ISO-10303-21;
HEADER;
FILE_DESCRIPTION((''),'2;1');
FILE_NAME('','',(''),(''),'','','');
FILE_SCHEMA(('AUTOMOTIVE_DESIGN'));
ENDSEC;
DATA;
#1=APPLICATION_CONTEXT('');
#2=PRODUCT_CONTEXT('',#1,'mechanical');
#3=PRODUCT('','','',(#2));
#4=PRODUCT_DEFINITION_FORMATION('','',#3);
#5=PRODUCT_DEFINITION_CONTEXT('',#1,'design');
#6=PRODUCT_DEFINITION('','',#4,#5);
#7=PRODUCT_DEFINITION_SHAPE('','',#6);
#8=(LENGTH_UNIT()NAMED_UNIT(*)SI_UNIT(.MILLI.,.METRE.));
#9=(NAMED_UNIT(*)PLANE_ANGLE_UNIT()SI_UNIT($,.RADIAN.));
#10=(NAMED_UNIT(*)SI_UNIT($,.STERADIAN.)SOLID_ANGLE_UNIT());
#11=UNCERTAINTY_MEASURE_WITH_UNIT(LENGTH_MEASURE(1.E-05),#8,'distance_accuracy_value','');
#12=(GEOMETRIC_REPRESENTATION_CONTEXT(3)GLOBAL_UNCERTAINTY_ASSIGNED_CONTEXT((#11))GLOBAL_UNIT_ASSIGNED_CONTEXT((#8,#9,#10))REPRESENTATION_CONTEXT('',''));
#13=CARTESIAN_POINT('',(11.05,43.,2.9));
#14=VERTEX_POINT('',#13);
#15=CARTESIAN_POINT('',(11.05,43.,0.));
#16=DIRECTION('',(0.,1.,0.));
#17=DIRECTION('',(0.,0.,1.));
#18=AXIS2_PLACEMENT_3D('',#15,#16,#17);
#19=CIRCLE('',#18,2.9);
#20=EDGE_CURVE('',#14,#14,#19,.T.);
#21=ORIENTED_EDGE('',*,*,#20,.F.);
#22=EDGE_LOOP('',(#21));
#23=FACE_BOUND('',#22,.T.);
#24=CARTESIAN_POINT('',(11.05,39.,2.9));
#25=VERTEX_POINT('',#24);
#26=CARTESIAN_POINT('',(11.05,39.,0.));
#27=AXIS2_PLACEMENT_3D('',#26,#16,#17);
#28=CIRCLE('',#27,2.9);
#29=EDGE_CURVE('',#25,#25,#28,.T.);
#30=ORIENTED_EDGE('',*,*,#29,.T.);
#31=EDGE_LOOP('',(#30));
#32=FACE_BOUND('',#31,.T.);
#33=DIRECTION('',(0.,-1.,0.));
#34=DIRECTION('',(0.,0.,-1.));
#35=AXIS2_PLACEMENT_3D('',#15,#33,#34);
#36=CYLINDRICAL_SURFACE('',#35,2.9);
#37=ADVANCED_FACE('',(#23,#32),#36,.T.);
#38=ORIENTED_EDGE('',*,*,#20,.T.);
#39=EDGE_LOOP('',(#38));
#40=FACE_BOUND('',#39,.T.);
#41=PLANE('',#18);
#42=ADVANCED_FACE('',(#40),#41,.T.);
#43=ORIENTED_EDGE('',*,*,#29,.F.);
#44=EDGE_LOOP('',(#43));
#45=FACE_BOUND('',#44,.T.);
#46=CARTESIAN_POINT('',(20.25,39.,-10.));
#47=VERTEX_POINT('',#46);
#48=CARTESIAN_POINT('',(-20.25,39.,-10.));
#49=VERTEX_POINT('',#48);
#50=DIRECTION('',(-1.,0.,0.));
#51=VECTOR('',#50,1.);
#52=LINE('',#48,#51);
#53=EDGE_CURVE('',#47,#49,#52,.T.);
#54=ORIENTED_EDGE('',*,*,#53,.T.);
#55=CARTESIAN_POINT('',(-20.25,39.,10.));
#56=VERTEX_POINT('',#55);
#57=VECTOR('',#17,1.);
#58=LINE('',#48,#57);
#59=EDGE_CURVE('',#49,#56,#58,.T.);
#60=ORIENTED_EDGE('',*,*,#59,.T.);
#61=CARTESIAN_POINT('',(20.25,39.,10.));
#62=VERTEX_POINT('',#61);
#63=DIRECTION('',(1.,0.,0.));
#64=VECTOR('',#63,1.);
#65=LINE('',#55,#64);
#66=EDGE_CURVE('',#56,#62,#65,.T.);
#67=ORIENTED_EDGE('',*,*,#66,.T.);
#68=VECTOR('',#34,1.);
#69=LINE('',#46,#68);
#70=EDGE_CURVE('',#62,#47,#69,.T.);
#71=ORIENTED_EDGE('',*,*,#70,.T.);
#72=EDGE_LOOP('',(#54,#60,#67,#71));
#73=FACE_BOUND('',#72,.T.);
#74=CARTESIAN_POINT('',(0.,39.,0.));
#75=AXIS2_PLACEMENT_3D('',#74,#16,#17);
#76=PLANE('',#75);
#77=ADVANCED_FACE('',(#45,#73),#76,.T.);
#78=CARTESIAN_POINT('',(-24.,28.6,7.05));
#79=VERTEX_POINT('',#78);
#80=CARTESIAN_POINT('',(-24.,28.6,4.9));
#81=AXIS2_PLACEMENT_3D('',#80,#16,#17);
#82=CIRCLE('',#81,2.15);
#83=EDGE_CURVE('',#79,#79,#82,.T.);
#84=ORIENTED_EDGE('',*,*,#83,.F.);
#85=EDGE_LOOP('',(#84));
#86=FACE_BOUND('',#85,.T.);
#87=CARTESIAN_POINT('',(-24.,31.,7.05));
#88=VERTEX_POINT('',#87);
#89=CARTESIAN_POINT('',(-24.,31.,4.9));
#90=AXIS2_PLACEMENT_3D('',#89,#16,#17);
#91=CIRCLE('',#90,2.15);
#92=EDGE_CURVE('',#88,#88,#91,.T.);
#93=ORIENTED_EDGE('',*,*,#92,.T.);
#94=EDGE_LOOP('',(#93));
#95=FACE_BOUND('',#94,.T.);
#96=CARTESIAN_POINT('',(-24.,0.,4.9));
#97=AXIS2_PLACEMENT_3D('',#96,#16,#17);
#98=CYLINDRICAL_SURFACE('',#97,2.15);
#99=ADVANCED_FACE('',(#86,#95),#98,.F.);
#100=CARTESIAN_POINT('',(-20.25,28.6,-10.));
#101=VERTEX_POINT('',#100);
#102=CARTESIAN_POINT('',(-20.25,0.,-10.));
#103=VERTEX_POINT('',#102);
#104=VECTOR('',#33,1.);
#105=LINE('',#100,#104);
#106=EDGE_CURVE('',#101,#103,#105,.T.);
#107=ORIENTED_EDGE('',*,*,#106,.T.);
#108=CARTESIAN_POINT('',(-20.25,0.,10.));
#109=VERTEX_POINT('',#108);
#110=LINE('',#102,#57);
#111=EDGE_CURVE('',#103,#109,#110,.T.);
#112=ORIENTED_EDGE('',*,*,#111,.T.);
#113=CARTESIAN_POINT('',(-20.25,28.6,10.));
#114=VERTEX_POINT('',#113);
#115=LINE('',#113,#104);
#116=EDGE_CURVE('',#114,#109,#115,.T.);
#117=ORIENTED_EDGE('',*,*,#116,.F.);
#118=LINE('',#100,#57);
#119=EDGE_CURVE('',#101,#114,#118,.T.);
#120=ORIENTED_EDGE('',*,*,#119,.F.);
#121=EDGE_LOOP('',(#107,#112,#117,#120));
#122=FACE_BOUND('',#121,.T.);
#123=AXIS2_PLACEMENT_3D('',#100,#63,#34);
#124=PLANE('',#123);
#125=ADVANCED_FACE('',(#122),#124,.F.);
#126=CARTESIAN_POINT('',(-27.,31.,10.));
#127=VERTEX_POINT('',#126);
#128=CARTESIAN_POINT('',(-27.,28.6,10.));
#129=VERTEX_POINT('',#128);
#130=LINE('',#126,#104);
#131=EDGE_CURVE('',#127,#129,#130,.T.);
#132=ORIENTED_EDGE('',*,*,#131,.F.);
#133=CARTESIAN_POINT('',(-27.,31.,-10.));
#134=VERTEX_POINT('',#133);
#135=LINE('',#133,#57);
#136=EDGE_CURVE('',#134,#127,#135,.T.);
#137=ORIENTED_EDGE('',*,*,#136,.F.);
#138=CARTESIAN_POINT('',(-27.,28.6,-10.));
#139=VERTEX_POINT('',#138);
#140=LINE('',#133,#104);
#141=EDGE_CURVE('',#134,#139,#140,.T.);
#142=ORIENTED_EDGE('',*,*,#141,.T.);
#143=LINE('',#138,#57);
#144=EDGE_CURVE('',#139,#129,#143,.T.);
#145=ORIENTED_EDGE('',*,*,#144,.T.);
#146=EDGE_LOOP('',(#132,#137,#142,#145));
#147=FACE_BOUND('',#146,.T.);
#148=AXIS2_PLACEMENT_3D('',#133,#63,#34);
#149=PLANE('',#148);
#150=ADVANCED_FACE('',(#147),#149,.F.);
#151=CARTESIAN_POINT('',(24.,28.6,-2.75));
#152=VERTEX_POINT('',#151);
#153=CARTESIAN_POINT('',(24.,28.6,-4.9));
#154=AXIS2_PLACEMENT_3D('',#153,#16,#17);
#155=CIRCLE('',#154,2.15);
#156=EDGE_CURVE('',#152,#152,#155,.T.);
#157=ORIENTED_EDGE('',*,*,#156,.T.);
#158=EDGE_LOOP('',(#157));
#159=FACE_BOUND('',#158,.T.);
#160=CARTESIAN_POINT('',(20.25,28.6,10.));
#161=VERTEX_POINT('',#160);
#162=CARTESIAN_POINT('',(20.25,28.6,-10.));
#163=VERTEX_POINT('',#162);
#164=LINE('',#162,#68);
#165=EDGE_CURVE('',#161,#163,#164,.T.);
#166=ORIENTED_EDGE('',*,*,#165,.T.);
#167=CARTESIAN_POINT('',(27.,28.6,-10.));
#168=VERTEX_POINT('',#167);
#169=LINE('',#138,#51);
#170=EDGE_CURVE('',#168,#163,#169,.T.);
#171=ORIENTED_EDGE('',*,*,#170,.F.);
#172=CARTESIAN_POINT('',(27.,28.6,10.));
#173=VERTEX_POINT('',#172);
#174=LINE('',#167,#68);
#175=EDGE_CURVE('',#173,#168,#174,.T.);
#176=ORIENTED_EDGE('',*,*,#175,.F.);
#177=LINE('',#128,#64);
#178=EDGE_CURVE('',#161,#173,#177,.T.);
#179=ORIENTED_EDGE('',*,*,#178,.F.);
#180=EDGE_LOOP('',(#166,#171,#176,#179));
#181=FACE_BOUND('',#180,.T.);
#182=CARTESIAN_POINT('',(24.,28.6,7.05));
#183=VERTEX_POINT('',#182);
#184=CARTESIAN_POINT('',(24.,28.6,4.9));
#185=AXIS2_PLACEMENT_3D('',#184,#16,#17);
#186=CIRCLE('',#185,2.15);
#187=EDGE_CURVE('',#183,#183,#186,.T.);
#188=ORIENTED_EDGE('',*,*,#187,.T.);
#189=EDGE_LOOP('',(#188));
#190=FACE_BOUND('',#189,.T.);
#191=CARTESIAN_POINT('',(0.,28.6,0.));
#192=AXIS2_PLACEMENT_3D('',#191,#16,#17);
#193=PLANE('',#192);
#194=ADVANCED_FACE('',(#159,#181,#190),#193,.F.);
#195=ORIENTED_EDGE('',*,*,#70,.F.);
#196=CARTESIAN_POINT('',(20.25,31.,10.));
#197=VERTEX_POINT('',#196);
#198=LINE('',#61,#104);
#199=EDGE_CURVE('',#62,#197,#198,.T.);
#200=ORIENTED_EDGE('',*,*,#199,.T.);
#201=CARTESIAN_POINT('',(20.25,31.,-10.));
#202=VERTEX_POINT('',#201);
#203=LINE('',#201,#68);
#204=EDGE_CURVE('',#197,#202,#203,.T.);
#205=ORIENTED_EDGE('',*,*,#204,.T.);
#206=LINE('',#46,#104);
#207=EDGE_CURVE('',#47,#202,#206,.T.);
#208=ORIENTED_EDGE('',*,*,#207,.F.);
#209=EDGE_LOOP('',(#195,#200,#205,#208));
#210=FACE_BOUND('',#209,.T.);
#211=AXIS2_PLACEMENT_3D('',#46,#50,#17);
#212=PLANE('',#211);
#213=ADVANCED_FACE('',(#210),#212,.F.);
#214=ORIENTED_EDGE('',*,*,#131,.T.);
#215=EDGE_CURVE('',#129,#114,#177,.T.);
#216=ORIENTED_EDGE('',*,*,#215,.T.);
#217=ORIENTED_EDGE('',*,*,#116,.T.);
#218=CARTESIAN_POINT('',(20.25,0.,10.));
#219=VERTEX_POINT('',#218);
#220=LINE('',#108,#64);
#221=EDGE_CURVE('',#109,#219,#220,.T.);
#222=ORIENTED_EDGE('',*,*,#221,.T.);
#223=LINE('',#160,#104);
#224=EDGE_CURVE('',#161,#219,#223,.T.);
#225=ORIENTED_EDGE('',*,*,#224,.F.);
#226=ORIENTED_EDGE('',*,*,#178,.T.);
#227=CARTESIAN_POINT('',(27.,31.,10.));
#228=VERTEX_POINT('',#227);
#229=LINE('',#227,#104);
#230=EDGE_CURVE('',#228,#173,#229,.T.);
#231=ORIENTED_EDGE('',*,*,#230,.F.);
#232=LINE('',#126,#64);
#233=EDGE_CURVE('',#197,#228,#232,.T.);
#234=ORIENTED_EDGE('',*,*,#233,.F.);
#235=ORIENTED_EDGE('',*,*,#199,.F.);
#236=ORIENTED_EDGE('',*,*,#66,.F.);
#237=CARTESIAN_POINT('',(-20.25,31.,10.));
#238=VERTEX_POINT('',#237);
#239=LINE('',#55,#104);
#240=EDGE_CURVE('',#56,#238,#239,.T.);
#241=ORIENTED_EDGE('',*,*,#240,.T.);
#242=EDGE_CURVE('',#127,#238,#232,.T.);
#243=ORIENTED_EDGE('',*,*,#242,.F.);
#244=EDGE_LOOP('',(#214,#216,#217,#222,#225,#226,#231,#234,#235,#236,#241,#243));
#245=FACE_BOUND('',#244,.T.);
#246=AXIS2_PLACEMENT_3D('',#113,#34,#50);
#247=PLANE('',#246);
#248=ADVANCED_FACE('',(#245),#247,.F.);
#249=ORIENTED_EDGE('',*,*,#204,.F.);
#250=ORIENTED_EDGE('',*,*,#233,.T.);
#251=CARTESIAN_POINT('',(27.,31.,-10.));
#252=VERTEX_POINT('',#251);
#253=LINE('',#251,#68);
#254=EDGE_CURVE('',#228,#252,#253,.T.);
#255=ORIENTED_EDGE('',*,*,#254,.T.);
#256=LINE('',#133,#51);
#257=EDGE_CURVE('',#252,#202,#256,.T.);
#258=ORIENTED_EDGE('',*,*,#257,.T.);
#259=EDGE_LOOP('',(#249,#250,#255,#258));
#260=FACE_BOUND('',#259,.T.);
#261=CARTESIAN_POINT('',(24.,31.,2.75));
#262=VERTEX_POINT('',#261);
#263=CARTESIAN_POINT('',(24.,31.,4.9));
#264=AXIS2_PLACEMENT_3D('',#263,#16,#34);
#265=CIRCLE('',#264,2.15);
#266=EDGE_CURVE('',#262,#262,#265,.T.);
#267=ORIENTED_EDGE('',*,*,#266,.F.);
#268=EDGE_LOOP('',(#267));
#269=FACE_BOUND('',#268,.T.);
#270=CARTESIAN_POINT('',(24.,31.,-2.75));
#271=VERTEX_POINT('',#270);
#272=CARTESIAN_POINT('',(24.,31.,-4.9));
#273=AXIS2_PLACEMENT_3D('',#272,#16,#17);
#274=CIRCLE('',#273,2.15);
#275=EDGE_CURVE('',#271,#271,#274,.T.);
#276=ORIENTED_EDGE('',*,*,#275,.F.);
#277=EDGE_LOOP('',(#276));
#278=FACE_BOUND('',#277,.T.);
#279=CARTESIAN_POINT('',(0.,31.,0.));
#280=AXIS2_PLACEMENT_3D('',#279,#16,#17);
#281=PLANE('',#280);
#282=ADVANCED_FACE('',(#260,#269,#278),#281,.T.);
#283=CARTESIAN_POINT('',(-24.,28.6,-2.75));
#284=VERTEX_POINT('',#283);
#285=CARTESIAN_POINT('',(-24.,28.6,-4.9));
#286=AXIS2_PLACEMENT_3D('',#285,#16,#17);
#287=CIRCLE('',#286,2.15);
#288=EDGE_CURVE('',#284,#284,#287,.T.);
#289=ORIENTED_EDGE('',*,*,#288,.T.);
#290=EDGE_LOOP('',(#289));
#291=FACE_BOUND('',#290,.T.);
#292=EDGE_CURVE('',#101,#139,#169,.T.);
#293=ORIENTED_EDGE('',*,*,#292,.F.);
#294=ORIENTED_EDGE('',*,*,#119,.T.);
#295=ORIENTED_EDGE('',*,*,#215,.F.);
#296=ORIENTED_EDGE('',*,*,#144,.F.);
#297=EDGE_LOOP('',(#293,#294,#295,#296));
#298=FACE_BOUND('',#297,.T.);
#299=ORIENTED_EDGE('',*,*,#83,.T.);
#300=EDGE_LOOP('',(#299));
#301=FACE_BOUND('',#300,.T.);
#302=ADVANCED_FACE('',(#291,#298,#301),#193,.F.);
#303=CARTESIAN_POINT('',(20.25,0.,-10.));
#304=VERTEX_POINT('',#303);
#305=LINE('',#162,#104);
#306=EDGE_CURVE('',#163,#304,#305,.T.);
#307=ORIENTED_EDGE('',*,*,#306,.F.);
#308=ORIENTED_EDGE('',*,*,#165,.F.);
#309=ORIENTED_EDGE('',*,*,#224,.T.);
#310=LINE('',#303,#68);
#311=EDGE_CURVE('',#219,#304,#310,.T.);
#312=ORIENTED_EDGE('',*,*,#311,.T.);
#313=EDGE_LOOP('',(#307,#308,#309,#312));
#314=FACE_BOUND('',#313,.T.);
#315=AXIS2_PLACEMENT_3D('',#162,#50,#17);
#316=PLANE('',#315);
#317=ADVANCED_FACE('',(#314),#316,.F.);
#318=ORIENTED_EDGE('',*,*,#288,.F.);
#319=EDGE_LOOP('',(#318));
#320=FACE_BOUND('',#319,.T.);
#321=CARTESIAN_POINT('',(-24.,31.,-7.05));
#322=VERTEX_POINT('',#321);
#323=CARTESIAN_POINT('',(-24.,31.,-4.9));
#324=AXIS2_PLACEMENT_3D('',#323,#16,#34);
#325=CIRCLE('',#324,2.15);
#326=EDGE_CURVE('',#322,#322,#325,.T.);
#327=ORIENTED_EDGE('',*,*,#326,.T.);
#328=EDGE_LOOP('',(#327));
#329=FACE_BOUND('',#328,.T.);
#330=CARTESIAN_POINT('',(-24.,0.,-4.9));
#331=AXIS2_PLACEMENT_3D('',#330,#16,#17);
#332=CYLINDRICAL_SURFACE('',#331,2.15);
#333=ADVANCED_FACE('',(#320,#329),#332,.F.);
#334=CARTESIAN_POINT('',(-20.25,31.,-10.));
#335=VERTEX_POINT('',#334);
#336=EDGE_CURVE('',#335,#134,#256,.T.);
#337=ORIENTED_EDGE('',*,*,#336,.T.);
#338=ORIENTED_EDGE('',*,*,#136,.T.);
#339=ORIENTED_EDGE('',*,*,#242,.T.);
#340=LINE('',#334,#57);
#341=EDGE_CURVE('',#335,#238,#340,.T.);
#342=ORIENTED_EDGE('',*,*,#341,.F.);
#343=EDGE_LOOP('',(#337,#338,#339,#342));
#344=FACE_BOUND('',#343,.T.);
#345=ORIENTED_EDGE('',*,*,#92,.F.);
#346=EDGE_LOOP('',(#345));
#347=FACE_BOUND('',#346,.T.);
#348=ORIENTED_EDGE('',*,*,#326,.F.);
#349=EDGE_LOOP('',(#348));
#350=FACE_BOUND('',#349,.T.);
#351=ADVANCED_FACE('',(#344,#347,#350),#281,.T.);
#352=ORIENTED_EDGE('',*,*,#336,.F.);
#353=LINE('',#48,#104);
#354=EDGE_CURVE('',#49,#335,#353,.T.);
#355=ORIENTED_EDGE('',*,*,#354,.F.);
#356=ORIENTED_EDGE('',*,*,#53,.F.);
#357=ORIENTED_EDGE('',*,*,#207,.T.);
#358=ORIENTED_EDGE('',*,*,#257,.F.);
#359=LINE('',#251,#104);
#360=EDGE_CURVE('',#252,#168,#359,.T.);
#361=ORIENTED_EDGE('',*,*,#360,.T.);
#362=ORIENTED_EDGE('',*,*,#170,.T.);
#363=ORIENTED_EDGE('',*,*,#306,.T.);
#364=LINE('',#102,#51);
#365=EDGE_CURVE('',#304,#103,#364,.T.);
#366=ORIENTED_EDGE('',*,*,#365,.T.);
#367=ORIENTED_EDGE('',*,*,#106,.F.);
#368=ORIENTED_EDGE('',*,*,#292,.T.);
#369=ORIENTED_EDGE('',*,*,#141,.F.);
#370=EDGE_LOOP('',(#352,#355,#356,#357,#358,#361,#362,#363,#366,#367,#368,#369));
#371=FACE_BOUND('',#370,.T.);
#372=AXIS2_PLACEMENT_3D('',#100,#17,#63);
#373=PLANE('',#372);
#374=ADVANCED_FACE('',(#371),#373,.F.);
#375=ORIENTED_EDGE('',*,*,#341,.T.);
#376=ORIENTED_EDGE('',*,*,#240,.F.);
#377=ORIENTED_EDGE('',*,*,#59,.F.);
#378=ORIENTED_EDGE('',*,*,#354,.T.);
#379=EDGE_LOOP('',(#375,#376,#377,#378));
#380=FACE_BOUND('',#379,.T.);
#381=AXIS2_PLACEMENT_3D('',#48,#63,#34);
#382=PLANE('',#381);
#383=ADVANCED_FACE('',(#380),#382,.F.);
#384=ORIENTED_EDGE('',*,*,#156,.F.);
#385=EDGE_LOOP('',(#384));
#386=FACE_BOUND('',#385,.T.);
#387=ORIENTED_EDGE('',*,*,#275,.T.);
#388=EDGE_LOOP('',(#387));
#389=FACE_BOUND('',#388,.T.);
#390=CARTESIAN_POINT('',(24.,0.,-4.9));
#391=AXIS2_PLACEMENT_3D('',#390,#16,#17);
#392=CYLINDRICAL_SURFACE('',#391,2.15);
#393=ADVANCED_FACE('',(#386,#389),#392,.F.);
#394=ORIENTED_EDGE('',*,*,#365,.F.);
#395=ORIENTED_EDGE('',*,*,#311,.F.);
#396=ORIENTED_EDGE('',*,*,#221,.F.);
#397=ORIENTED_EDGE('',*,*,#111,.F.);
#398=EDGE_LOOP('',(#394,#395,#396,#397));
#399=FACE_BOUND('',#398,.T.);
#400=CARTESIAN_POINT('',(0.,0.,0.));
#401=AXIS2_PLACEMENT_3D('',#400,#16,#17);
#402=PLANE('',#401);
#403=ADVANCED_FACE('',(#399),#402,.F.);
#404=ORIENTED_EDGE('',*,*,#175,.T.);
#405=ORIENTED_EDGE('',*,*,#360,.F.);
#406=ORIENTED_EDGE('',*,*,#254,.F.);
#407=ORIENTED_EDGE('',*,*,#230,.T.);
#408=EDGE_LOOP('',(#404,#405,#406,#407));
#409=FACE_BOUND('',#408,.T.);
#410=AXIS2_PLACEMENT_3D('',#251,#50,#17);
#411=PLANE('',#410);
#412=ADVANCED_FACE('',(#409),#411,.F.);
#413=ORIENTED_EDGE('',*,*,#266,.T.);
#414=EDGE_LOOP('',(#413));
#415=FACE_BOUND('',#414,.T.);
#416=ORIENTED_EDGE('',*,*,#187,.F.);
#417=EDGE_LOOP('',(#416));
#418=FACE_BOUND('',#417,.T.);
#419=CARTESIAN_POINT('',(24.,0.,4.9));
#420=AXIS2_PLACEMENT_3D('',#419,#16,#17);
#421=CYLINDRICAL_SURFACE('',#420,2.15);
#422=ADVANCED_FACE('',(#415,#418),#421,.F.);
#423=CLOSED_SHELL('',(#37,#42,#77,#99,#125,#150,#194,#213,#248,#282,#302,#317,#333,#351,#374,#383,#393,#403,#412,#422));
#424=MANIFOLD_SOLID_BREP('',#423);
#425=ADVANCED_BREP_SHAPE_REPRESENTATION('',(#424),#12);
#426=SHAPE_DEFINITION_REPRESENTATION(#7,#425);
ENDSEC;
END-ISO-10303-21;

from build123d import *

# Parameters (mm, degrees)
SKETCH_1_W          = 40.5
SKETCH_1_H          = 20
EXTRUDE_1_DEPTH     = 28.6
SKETCH_2_W          = 54
SKETCH_2_H          = 20
EXTRUDE_2_DEPTH     = 2.4
SKETCH_3_W          = 40.5
SKETCH_3_H          = 20
EXTRUDE_3_DEPTH     = 8
SKETCH_4_R          = 2.9
EXTRUDE_4_DEPTH     = 4
SKETCH_5_R          = 2.15
CUT_EXTRUDE_1_DEPTH = 32


with BuildPart() as part:
    # 草图1 → 凸台-拉伸1 (new body)
    with BuildSketch(Plane(origin=(0, 0, 0), x_dir=(1, 0, 0), z_dir=(0, 1, 0))):
        Rectangle(SKETCH_1_W, SKETCH_1_H)
    extrude(amount=EXTRUDE_1_DEPTH)

    # 草图2 → 凸台-拉伸2 (add)
    with BuildSketch(Plane(origin=(0, 28.6, 0), x_dir=(1, 0, 0), z_dir=(0, 1, 0))):
        Rectangle(SKETCH_2_W, SKETCH_2_H)
    extrude(amount=EXTRUDE_2_DEPTH)

    # 草图3 → 凸台-拉伸3 (add)
    with BuildSketch(Plane(origin=(0, 31, 0), x_dir=(1, 0, 0), z_dir=(0, 1, 0))):
        Rectangle(SKETCH_3_W, SKETCH_3_H)
    extrude(amount=EXTRUDE_3_DEPTH)

    # 草图4 → 凸台-拉伸4 (add)
    with BuildSketch(Plane(origin=(0, 39, 0), x_dir=(1, 0, 0), z_dir=(0, 1, 0))):
        with Locations((11.05, 0)):
            Circle(SKETCH_4_R)
    extrude(amount=EXTRUDE_4_DEPTH)

    # 草图5 → 切除-拉伸1 (cut, through all)
    with BuildSketch(Plane(origin=(0, 31, 0), x_dir=(1, 0, 0), z_dir=(0, 1, 0))):
        with Locations((24, 4.9)):
            Circle(SKETCH_5_R)
        with Locations((24, -4.9)):
            Circle(SKETCH_5_R)
        with Locations((-24, -4.9)):
            Circle(SKETCH_5_R)
        with Locations((-24, 4.9)):
            Circle(SKETCH_5_R)
    extrude(amount=-CUT_EXTRUDE_1_DEPTH, mode=Mode.SUBTRACT)


solid = part.part
